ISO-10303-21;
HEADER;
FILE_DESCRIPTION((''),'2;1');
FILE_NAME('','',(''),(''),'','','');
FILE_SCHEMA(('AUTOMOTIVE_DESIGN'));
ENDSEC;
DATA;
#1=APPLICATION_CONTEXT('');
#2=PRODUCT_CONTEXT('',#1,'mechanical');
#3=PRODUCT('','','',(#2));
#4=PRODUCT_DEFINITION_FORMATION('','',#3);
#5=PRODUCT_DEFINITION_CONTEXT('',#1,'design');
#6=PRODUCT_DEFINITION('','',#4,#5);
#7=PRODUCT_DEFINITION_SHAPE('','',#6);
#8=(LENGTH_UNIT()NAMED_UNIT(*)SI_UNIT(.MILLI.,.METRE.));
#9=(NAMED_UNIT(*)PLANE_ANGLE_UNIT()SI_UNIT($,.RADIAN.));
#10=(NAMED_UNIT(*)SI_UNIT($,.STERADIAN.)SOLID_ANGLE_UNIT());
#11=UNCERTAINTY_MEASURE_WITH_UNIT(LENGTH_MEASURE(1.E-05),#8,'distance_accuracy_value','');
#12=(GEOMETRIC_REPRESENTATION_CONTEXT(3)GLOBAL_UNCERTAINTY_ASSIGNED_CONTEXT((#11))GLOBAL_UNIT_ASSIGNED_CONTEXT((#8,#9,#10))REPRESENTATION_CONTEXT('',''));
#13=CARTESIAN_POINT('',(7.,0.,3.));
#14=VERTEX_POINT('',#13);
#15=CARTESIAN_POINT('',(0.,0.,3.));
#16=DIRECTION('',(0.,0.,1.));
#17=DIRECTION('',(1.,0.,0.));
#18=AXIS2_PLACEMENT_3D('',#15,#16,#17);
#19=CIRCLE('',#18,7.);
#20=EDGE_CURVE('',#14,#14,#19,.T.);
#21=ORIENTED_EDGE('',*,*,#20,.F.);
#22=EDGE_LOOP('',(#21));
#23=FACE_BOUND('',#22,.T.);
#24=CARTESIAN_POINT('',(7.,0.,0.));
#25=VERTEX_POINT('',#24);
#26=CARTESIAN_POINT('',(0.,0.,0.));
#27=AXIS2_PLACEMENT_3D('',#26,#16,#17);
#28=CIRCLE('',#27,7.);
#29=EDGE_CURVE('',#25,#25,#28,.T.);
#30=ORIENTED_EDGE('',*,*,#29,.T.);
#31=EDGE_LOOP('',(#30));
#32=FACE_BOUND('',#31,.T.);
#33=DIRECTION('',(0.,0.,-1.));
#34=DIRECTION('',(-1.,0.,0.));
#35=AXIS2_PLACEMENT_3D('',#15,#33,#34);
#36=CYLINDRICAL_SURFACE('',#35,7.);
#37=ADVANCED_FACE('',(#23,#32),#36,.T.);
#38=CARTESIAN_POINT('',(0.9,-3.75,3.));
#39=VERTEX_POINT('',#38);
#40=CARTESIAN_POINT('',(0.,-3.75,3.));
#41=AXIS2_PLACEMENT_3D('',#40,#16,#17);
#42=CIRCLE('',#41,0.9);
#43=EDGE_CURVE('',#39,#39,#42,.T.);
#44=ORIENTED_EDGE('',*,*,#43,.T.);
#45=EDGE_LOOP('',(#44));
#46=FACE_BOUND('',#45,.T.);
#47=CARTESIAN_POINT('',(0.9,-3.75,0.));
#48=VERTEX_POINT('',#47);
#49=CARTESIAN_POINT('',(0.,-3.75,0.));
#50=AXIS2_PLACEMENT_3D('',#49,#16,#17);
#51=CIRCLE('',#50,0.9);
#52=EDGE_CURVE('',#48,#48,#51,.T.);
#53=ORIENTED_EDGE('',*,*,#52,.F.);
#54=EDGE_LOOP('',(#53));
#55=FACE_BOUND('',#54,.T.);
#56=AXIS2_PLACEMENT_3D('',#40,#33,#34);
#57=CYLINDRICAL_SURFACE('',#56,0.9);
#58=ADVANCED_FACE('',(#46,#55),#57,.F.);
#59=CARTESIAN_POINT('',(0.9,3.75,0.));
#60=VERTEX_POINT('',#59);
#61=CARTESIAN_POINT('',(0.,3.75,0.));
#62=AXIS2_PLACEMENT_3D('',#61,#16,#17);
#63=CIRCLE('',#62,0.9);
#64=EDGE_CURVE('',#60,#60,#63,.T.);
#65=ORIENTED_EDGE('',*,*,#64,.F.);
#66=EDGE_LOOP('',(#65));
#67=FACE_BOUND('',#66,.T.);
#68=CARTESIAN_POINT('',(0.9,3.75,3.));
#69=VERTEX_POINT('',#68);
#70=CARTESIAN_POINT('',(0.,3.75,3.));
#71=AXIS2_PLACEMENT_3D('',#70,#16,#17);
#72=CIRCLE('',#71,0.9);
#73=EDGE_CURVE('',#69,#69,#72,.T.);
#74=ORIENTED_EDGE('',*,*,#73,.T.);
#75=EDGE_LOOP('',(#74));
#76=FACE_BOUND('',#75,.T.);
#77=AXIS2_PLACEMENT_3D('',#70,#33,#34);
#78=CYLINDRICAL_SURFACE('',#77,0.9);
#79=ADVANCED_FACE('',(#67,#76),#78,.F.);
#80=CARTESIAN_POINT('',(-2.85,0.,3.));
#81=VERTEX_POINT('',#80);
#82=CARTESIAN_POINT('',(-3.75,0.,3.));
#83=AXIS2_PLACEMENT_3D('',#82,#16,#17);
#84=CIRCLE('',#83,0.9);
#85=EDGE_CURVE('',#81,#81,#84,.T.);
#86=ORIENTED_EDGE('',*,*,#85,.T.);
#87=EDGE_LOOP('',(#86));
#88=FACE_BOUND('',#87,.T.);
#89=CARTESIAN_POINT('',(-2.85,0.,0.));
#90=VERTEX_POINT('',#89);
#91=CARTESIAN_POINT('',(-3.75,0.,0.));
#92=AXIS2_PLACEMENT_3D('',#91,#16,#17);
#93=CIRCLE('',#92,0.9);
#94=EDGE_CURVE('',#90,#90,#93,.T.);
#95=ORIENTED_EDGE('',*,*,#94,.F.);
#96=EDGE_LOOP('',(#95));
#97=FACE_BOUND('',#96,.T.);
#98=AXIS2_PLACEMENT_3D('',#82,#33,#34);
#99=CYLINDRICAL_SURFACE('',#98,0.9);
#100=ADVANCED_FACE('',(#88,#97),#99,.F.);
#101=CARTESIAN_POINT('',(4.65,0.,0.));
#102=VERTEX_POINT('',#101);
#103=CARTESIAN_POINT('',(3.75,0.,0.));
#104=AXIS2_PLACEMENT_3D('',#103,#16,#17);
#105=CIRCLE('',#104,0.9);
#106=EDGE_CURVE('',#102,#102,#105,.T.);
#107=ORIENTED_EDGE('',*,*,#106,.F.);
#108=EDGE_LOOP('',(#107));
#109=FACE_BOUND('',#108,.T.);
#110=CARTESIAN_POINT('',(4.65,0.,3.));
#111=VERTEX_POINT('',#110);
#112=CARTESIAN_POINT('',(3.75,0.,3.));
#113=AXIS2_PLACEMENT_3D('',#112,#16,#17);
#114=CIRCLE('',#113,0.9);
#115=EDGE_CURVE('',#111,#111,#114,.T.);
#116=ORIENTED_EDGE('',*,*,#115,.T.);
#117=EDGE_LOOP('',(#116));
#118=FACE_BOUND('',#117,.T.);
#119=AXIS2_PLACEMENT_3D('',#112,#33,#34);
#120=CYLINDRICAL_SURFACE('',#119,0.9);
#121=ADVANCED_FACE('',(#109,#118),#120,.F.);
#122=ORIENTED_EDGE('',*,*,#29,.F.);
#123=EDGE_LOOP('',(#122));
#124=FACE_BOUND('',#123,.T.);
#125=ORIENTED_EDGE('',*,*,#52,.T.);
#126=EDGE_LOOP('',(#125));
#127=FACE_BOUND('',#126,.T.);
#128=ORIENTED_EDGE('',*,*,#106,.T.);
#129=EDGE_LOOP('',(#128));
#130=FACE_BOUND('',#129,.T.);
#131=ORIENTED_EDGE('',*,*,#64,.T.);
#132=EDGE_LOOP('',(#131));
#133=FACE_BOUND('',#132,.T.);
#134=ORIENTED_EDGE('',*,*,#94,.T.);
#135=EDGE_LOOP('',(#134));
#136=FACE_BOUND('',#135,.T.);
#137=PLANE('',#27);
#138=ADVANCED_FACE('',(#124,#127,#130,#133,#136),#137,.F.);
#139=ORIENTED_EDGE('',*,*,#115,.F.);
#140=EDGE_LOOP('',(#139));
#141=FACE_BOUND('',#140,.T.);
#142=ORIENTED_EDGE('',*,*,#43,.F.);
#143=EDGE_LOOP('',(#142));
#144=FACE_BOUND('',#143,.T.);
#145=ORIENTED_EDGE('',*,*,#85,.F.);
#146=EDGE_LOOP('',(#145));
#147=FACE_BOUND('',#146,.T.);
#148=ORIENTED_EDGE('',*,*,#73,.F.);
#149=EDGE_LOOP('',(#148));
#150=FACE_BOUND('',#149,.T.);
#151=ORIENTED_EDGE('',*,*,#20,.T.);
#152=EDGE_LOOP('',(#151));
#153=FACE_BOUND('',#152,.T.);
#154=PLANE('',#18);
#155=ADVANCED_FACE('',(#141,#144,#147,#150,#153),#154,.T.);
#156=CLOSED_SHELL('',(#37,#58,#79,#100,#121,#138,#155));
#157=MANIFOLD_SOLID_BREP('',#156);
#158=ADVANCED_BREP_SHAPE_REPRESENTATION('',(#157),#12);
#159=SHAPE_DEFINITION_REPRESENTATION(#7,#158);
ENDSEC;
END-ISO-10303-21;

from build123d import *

# Parameters (mm, degrees)
SKETCH1_R           = 7
SKETCH1_R_2         = 0.9
BOSS_EXTRUDE1_DEPTH = 3


with BuildPart() as part:
    # Sketch1 → Boss-Extrude1 (new body)
    with BuildSketch(Plane.XY):
        Circle(SKETCH1_R)
        with Locations((0, -3.75)):
            Circle(SKETCH1_R_2, mode=Mode.SUBTRACT)
        with Locations((-3.75, 0)):
            Circle(SKETCH1_R_2, mode=Mode.SUBTRACT)
        with Locations((0, 3.75)):
            Circle(SKETCH1_R_2, mode=Mode.SUBTRACT)
        with Locations((3.75, 0)):
            Circle(SKETCH1_R_2, mode=Mode.SUBTRACT)
    extrude(amount=BOSS_EXTRUDE1_DEPTH)


solid = part.part
